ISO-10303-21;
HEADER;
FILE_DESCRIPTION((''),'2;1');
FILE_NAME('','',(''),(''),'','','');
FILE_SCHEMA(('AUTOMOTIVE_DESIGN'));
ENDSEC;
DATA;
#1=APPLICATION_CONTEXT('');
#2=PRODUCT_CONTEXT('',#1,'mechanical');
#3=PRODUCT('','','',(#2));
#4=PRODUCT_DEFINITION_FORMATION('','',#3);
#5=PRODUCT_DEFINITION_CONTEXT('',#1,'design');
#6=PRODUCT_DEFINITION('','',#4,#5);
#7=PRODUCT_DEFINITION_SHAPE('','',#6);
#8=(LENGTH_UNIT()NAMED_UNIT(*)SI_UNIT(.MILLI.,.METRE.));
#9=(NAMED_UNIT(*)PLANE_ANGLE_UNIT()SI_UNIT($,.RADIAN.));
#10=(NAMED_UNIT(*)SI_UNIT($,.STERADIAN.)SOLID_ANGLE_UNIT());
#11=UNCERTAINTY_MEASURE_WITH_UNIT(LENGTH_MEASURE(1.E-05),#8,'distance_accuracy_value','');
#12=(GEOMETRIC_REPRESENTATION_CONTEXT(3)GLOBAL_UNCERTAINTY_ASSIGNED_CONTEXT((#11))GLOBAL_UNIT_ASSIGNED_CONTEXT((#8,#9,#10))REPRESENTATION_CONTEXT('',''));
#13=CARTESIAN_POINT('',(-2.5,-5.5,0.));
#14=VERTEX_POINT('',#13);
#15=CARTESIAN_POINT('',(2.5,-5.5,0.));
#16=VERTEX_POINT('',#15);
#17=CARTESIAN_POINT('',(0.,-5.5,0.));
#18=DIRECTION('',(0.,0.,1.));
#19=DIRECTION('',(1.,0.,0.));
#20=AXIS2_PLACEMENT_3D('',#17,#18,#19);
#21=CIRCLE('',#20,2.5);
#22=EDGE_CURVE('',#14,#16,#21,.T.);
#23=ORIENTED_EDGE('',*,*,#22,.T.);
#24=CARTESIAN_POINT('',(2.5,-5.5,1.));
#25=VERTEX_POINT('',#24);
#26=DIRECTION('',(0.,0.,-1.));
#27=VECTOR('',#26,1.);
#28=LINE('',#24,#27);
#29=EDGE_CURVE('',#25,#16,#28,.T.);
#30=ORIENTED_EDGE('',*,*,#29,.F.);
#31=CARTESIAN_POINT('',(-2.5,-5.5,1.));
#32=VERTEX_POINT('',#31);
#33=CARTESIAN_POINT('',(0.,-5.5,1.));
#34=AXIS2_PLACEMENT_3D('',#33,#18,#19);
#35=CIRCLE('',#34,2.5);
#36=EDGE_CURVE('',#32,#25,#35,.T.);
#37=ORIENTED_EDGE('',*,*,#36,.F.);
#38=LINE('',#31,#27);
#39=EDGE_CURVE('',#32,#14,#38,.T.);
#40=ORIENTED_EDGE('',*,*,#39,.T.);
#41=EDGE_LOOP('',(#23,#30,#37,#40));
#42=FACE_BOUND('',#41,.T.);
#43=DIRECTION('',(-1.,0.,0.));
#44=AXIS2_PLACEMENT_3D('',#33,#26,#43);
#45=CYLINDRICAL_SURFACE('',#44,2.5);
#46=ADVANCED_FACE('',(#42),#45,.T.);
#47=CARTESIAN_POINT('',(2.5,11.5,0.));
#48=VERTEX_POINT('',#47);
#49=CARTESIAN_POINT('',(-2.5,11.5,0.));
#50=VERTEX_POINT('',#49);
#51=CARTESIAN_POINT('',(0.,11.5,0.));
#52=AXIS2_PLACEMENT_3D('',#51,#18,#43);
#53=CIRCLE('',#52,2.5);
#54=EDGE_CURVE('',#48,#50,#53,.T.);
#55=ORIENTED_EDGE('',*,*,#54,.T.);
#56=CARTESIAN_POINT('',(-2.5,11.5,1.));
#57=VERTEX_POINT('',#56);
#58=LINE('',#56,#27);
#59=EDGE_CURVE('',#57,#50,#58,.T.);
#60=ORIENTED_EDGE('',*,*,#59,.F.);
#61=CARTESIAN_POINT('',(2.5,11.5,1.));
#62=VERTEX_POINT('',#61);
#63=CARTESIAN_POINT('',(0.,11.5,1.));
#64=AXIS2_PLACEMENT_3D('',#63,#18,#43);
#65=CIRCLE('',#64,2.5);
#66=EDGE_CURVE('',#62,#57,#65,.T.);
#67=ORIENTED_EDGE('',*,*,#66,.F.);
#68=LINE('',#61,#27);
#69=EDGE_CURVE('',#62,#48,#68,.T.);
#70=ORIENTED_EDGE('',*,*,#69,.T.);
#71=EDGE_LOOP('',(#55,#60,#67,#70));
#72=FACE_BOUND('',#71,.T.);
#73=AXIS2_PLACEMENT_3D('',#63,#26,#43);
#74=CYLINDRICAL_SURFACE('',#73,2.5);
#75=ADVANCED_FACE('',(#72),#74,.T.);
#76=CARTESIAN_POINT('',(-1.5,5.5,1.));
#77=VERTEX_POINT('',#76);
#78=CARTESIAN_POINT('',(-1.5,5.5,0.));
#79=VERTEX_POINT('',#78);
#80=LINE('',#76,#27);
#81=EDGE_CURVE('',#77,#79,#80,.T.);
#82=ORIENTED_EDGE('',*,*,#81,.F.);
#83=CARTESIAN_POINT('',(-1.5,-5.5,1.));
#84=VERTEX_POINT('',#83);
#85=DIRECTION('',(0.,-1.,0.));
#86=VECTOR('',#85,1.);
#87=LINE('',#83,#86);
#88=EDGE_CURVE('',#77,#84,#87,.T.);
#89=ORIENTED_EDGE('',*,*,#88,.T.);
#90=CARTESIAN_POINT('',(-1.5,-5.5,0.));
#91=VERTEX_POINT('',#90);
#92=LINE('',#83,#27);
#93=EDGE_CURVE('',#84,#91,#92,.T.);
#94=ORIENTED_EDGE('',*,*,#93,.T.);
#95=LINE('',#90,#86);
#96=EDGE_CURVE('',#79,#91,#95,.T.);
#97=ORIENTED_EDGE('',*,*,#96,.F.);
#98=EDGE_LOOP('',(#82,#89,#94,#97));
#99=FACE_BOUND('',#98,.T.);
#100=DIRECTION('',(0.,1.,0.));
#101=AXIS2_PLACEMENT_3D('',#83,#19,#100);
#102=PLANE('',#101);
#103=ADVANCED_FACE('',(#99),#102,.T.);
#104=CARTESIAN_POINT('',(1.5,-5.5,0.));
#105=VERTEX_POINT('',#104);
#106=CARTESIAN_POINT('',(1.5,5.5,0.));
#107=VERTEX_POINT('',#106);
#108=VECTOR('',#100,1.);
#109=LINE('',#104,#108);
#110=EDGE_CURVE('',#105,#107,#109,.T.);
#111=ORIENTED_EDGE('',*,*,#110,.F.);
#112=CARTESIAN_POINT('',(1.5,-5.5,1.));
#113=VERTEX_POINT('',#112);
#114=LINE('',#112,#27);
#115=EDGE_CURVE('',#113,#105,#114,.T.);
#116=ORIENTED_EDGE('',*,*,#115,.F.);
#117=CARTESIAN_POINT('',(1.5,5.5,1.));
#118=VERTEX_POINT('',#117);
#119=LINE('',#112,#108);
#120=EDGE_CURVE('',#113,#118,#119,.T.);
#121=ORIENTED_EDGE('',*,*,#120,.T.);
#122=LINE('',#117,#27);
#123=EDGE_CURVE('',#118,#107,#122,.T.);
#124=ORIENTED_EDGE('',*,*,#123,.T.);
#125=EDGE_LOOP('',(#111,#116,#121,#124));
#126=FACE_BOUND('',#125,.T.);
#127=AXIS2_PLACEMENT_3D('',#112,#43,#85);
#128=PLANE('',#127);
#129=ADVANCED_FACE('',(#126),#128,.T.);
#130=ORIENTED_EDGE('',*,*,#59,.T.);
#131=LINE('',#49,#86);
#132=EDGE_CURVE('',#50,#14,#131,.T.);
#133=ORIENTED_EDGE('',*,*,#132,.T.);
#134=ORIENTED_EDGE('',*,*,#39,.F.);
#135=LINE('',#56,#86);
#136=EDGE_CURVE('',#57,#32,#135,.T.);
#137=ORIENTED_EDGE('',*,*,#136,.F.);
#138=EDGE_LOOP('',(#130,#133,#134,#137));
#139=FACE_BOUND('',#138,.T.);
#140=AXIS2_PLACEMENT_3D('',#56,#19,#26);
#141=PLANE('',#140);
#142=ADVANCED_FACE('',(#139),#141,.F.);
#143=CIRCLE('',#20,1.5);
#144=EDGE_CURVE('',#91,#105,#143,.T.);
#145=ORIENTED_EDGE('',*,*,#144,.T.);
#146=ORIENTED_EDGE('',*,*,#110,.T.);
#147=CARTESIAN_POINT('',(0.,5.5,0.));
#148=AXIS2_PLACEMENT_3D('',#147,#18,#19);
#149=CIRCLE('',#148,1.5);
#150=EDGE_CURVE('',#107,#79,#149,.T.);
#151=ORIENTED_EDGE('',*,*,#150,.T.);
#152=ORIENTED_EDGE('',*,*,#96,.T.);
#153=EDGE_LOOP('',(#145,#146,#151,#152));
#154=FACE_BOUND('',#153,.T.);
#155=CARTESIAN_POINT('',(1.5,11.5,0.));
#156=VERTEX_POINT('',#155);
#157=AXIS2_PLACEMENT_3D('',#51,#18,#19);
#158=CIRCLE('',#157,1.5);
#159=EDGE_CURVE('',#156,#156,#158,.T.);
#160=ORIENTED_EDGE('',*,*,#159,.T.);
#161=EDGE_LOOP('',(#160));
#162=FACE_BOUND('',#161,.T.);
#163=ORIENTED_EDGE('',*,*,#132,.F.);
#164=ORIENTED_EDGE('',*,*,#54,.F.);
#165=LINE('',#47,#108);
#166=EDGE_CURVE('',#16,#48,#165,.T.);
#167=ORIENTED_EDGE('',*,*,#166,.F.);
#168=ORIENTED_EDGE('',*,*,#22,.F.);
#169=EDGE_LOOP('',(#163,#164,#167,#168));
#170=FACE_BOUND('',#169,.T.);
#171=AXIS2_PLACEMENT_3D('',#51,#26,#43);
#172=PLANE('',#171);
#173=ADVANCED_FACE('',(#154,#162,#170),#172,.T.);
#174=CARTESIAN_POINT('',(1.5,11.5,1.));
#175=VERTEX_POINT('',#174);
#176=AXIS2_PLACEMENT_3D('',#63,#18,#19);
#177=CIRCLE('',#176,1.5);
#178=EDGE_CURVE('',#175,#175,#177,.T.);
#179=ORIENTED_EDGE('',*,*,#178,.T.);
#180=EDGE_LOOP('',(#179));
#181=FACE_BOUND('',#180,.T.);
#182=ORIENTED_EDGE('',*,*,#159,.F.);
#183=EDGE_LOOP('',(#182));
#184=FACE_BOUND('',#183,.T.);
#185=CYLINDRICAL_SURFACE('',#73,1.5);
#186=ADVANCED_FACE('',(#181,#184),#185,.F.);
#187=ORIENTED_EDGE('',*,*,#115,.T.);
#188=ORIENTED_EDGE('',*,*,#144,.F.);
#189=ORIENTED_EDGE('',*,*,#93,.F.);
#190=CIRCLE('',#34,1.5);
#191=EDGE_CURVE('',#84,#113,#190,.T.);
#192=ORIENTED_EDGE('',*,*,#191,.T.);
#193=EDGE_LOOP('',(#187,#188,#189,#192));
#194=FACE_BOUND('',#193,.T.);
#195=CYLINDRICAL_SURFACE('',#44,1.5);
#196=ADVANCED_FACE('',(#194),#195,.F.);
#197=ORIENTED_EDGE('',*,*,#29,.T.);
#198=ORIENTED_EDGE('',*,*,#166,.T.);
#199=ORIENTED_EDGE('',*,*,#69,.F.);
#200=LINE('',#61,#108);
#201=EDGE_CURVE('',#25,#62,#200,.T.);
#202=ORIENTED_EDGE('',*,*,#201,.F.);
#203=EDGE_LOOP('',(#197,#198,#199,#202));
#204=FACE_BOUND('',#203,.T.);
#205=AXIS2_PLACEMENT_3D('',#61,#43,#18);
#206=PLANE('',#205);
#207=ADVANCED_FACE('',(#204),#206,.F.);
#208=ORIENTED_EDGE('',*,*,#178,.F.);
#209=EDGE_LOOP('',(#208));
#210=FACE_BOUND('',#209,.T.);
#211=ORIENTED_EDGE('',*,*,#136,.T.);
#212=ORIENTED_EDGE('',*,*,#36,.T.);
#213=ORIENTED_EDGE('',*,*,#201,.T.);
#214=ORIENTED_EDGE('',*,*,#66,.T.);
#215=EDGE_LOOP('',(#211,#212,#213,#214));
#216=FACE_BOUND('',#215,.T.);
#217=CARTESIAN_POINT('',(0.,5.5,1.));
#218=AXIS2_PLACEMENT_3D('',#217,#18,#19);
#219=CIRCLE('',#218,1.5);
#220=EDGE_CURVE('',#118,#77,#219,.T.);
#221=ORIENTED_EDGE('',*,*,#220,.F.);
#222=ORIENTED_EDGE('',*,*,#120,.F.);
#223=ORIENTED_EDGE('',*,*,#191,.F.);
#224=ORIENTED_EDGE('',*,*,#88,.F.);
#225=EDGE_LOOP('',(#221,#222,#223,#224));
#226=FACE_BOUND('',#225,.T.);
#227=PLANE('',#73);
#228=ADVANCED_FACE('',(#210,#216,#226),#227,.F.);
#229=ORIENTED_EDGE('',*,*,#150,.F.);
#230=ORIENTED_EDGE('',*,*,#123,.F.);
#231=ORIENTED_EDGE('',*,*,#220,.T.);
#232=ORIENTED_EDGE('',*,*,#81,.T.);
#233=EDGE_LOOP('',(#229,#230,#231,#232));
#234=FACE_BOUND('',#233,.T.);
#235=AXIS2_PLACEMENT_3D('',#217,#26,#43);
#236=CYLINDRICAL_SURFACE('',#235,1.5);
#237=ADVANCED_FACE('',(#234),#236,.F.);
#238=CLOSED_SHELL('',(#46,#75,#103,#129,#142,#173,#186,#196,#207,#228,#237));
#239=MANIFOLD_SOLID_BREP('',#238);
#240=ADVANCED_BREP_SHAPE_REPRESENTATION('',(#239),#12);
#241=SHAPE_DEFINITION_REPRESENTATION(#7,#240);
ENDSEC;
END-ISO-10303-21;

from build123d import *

# Parameters (mm, degrees)
SKETCH1_R           = 1.5
BOSS_EXTRUDE1_DEPTH = 1


with BuildPart() as part:
    # Sketch1 → Boss-Extrude1 (new body)
    with BuildSketch(Plane.XY):
        with BuildLine():
            Line((-2.5, 11.5), (-2.5, -5.5))
            ThreePointArc((-2.5, -5.5), (0, -8), (2.5, -5.5))
            Line((2.5, -5.5), (2.5, 11.5))
            ThreePointArc((2.5, 11.5), (0, 14), (-2.5, 11.5))
        make_face()
        with Locations((0, 11.5)):
            Circle(SKETCH1_R, mode=Mode.SUBTRACT)
        with BuildLine():
            Line((-1.5, -5.5), (-1.5, 5.5))
            ThreePointArc((-1.5, 5.5), (0, 7), (1.5, 5.5))
            Line((1.5, 5.5), (1.5, -5.5))
            ThreePointArc((1.5, -5.5), (0, -7), (-1.5, -5.5))
        make_face(mode=Mode.SUBTRACT)
    extrude(amount=BOSS_EXTRUDE1_DEPTH)


solid = part.part
